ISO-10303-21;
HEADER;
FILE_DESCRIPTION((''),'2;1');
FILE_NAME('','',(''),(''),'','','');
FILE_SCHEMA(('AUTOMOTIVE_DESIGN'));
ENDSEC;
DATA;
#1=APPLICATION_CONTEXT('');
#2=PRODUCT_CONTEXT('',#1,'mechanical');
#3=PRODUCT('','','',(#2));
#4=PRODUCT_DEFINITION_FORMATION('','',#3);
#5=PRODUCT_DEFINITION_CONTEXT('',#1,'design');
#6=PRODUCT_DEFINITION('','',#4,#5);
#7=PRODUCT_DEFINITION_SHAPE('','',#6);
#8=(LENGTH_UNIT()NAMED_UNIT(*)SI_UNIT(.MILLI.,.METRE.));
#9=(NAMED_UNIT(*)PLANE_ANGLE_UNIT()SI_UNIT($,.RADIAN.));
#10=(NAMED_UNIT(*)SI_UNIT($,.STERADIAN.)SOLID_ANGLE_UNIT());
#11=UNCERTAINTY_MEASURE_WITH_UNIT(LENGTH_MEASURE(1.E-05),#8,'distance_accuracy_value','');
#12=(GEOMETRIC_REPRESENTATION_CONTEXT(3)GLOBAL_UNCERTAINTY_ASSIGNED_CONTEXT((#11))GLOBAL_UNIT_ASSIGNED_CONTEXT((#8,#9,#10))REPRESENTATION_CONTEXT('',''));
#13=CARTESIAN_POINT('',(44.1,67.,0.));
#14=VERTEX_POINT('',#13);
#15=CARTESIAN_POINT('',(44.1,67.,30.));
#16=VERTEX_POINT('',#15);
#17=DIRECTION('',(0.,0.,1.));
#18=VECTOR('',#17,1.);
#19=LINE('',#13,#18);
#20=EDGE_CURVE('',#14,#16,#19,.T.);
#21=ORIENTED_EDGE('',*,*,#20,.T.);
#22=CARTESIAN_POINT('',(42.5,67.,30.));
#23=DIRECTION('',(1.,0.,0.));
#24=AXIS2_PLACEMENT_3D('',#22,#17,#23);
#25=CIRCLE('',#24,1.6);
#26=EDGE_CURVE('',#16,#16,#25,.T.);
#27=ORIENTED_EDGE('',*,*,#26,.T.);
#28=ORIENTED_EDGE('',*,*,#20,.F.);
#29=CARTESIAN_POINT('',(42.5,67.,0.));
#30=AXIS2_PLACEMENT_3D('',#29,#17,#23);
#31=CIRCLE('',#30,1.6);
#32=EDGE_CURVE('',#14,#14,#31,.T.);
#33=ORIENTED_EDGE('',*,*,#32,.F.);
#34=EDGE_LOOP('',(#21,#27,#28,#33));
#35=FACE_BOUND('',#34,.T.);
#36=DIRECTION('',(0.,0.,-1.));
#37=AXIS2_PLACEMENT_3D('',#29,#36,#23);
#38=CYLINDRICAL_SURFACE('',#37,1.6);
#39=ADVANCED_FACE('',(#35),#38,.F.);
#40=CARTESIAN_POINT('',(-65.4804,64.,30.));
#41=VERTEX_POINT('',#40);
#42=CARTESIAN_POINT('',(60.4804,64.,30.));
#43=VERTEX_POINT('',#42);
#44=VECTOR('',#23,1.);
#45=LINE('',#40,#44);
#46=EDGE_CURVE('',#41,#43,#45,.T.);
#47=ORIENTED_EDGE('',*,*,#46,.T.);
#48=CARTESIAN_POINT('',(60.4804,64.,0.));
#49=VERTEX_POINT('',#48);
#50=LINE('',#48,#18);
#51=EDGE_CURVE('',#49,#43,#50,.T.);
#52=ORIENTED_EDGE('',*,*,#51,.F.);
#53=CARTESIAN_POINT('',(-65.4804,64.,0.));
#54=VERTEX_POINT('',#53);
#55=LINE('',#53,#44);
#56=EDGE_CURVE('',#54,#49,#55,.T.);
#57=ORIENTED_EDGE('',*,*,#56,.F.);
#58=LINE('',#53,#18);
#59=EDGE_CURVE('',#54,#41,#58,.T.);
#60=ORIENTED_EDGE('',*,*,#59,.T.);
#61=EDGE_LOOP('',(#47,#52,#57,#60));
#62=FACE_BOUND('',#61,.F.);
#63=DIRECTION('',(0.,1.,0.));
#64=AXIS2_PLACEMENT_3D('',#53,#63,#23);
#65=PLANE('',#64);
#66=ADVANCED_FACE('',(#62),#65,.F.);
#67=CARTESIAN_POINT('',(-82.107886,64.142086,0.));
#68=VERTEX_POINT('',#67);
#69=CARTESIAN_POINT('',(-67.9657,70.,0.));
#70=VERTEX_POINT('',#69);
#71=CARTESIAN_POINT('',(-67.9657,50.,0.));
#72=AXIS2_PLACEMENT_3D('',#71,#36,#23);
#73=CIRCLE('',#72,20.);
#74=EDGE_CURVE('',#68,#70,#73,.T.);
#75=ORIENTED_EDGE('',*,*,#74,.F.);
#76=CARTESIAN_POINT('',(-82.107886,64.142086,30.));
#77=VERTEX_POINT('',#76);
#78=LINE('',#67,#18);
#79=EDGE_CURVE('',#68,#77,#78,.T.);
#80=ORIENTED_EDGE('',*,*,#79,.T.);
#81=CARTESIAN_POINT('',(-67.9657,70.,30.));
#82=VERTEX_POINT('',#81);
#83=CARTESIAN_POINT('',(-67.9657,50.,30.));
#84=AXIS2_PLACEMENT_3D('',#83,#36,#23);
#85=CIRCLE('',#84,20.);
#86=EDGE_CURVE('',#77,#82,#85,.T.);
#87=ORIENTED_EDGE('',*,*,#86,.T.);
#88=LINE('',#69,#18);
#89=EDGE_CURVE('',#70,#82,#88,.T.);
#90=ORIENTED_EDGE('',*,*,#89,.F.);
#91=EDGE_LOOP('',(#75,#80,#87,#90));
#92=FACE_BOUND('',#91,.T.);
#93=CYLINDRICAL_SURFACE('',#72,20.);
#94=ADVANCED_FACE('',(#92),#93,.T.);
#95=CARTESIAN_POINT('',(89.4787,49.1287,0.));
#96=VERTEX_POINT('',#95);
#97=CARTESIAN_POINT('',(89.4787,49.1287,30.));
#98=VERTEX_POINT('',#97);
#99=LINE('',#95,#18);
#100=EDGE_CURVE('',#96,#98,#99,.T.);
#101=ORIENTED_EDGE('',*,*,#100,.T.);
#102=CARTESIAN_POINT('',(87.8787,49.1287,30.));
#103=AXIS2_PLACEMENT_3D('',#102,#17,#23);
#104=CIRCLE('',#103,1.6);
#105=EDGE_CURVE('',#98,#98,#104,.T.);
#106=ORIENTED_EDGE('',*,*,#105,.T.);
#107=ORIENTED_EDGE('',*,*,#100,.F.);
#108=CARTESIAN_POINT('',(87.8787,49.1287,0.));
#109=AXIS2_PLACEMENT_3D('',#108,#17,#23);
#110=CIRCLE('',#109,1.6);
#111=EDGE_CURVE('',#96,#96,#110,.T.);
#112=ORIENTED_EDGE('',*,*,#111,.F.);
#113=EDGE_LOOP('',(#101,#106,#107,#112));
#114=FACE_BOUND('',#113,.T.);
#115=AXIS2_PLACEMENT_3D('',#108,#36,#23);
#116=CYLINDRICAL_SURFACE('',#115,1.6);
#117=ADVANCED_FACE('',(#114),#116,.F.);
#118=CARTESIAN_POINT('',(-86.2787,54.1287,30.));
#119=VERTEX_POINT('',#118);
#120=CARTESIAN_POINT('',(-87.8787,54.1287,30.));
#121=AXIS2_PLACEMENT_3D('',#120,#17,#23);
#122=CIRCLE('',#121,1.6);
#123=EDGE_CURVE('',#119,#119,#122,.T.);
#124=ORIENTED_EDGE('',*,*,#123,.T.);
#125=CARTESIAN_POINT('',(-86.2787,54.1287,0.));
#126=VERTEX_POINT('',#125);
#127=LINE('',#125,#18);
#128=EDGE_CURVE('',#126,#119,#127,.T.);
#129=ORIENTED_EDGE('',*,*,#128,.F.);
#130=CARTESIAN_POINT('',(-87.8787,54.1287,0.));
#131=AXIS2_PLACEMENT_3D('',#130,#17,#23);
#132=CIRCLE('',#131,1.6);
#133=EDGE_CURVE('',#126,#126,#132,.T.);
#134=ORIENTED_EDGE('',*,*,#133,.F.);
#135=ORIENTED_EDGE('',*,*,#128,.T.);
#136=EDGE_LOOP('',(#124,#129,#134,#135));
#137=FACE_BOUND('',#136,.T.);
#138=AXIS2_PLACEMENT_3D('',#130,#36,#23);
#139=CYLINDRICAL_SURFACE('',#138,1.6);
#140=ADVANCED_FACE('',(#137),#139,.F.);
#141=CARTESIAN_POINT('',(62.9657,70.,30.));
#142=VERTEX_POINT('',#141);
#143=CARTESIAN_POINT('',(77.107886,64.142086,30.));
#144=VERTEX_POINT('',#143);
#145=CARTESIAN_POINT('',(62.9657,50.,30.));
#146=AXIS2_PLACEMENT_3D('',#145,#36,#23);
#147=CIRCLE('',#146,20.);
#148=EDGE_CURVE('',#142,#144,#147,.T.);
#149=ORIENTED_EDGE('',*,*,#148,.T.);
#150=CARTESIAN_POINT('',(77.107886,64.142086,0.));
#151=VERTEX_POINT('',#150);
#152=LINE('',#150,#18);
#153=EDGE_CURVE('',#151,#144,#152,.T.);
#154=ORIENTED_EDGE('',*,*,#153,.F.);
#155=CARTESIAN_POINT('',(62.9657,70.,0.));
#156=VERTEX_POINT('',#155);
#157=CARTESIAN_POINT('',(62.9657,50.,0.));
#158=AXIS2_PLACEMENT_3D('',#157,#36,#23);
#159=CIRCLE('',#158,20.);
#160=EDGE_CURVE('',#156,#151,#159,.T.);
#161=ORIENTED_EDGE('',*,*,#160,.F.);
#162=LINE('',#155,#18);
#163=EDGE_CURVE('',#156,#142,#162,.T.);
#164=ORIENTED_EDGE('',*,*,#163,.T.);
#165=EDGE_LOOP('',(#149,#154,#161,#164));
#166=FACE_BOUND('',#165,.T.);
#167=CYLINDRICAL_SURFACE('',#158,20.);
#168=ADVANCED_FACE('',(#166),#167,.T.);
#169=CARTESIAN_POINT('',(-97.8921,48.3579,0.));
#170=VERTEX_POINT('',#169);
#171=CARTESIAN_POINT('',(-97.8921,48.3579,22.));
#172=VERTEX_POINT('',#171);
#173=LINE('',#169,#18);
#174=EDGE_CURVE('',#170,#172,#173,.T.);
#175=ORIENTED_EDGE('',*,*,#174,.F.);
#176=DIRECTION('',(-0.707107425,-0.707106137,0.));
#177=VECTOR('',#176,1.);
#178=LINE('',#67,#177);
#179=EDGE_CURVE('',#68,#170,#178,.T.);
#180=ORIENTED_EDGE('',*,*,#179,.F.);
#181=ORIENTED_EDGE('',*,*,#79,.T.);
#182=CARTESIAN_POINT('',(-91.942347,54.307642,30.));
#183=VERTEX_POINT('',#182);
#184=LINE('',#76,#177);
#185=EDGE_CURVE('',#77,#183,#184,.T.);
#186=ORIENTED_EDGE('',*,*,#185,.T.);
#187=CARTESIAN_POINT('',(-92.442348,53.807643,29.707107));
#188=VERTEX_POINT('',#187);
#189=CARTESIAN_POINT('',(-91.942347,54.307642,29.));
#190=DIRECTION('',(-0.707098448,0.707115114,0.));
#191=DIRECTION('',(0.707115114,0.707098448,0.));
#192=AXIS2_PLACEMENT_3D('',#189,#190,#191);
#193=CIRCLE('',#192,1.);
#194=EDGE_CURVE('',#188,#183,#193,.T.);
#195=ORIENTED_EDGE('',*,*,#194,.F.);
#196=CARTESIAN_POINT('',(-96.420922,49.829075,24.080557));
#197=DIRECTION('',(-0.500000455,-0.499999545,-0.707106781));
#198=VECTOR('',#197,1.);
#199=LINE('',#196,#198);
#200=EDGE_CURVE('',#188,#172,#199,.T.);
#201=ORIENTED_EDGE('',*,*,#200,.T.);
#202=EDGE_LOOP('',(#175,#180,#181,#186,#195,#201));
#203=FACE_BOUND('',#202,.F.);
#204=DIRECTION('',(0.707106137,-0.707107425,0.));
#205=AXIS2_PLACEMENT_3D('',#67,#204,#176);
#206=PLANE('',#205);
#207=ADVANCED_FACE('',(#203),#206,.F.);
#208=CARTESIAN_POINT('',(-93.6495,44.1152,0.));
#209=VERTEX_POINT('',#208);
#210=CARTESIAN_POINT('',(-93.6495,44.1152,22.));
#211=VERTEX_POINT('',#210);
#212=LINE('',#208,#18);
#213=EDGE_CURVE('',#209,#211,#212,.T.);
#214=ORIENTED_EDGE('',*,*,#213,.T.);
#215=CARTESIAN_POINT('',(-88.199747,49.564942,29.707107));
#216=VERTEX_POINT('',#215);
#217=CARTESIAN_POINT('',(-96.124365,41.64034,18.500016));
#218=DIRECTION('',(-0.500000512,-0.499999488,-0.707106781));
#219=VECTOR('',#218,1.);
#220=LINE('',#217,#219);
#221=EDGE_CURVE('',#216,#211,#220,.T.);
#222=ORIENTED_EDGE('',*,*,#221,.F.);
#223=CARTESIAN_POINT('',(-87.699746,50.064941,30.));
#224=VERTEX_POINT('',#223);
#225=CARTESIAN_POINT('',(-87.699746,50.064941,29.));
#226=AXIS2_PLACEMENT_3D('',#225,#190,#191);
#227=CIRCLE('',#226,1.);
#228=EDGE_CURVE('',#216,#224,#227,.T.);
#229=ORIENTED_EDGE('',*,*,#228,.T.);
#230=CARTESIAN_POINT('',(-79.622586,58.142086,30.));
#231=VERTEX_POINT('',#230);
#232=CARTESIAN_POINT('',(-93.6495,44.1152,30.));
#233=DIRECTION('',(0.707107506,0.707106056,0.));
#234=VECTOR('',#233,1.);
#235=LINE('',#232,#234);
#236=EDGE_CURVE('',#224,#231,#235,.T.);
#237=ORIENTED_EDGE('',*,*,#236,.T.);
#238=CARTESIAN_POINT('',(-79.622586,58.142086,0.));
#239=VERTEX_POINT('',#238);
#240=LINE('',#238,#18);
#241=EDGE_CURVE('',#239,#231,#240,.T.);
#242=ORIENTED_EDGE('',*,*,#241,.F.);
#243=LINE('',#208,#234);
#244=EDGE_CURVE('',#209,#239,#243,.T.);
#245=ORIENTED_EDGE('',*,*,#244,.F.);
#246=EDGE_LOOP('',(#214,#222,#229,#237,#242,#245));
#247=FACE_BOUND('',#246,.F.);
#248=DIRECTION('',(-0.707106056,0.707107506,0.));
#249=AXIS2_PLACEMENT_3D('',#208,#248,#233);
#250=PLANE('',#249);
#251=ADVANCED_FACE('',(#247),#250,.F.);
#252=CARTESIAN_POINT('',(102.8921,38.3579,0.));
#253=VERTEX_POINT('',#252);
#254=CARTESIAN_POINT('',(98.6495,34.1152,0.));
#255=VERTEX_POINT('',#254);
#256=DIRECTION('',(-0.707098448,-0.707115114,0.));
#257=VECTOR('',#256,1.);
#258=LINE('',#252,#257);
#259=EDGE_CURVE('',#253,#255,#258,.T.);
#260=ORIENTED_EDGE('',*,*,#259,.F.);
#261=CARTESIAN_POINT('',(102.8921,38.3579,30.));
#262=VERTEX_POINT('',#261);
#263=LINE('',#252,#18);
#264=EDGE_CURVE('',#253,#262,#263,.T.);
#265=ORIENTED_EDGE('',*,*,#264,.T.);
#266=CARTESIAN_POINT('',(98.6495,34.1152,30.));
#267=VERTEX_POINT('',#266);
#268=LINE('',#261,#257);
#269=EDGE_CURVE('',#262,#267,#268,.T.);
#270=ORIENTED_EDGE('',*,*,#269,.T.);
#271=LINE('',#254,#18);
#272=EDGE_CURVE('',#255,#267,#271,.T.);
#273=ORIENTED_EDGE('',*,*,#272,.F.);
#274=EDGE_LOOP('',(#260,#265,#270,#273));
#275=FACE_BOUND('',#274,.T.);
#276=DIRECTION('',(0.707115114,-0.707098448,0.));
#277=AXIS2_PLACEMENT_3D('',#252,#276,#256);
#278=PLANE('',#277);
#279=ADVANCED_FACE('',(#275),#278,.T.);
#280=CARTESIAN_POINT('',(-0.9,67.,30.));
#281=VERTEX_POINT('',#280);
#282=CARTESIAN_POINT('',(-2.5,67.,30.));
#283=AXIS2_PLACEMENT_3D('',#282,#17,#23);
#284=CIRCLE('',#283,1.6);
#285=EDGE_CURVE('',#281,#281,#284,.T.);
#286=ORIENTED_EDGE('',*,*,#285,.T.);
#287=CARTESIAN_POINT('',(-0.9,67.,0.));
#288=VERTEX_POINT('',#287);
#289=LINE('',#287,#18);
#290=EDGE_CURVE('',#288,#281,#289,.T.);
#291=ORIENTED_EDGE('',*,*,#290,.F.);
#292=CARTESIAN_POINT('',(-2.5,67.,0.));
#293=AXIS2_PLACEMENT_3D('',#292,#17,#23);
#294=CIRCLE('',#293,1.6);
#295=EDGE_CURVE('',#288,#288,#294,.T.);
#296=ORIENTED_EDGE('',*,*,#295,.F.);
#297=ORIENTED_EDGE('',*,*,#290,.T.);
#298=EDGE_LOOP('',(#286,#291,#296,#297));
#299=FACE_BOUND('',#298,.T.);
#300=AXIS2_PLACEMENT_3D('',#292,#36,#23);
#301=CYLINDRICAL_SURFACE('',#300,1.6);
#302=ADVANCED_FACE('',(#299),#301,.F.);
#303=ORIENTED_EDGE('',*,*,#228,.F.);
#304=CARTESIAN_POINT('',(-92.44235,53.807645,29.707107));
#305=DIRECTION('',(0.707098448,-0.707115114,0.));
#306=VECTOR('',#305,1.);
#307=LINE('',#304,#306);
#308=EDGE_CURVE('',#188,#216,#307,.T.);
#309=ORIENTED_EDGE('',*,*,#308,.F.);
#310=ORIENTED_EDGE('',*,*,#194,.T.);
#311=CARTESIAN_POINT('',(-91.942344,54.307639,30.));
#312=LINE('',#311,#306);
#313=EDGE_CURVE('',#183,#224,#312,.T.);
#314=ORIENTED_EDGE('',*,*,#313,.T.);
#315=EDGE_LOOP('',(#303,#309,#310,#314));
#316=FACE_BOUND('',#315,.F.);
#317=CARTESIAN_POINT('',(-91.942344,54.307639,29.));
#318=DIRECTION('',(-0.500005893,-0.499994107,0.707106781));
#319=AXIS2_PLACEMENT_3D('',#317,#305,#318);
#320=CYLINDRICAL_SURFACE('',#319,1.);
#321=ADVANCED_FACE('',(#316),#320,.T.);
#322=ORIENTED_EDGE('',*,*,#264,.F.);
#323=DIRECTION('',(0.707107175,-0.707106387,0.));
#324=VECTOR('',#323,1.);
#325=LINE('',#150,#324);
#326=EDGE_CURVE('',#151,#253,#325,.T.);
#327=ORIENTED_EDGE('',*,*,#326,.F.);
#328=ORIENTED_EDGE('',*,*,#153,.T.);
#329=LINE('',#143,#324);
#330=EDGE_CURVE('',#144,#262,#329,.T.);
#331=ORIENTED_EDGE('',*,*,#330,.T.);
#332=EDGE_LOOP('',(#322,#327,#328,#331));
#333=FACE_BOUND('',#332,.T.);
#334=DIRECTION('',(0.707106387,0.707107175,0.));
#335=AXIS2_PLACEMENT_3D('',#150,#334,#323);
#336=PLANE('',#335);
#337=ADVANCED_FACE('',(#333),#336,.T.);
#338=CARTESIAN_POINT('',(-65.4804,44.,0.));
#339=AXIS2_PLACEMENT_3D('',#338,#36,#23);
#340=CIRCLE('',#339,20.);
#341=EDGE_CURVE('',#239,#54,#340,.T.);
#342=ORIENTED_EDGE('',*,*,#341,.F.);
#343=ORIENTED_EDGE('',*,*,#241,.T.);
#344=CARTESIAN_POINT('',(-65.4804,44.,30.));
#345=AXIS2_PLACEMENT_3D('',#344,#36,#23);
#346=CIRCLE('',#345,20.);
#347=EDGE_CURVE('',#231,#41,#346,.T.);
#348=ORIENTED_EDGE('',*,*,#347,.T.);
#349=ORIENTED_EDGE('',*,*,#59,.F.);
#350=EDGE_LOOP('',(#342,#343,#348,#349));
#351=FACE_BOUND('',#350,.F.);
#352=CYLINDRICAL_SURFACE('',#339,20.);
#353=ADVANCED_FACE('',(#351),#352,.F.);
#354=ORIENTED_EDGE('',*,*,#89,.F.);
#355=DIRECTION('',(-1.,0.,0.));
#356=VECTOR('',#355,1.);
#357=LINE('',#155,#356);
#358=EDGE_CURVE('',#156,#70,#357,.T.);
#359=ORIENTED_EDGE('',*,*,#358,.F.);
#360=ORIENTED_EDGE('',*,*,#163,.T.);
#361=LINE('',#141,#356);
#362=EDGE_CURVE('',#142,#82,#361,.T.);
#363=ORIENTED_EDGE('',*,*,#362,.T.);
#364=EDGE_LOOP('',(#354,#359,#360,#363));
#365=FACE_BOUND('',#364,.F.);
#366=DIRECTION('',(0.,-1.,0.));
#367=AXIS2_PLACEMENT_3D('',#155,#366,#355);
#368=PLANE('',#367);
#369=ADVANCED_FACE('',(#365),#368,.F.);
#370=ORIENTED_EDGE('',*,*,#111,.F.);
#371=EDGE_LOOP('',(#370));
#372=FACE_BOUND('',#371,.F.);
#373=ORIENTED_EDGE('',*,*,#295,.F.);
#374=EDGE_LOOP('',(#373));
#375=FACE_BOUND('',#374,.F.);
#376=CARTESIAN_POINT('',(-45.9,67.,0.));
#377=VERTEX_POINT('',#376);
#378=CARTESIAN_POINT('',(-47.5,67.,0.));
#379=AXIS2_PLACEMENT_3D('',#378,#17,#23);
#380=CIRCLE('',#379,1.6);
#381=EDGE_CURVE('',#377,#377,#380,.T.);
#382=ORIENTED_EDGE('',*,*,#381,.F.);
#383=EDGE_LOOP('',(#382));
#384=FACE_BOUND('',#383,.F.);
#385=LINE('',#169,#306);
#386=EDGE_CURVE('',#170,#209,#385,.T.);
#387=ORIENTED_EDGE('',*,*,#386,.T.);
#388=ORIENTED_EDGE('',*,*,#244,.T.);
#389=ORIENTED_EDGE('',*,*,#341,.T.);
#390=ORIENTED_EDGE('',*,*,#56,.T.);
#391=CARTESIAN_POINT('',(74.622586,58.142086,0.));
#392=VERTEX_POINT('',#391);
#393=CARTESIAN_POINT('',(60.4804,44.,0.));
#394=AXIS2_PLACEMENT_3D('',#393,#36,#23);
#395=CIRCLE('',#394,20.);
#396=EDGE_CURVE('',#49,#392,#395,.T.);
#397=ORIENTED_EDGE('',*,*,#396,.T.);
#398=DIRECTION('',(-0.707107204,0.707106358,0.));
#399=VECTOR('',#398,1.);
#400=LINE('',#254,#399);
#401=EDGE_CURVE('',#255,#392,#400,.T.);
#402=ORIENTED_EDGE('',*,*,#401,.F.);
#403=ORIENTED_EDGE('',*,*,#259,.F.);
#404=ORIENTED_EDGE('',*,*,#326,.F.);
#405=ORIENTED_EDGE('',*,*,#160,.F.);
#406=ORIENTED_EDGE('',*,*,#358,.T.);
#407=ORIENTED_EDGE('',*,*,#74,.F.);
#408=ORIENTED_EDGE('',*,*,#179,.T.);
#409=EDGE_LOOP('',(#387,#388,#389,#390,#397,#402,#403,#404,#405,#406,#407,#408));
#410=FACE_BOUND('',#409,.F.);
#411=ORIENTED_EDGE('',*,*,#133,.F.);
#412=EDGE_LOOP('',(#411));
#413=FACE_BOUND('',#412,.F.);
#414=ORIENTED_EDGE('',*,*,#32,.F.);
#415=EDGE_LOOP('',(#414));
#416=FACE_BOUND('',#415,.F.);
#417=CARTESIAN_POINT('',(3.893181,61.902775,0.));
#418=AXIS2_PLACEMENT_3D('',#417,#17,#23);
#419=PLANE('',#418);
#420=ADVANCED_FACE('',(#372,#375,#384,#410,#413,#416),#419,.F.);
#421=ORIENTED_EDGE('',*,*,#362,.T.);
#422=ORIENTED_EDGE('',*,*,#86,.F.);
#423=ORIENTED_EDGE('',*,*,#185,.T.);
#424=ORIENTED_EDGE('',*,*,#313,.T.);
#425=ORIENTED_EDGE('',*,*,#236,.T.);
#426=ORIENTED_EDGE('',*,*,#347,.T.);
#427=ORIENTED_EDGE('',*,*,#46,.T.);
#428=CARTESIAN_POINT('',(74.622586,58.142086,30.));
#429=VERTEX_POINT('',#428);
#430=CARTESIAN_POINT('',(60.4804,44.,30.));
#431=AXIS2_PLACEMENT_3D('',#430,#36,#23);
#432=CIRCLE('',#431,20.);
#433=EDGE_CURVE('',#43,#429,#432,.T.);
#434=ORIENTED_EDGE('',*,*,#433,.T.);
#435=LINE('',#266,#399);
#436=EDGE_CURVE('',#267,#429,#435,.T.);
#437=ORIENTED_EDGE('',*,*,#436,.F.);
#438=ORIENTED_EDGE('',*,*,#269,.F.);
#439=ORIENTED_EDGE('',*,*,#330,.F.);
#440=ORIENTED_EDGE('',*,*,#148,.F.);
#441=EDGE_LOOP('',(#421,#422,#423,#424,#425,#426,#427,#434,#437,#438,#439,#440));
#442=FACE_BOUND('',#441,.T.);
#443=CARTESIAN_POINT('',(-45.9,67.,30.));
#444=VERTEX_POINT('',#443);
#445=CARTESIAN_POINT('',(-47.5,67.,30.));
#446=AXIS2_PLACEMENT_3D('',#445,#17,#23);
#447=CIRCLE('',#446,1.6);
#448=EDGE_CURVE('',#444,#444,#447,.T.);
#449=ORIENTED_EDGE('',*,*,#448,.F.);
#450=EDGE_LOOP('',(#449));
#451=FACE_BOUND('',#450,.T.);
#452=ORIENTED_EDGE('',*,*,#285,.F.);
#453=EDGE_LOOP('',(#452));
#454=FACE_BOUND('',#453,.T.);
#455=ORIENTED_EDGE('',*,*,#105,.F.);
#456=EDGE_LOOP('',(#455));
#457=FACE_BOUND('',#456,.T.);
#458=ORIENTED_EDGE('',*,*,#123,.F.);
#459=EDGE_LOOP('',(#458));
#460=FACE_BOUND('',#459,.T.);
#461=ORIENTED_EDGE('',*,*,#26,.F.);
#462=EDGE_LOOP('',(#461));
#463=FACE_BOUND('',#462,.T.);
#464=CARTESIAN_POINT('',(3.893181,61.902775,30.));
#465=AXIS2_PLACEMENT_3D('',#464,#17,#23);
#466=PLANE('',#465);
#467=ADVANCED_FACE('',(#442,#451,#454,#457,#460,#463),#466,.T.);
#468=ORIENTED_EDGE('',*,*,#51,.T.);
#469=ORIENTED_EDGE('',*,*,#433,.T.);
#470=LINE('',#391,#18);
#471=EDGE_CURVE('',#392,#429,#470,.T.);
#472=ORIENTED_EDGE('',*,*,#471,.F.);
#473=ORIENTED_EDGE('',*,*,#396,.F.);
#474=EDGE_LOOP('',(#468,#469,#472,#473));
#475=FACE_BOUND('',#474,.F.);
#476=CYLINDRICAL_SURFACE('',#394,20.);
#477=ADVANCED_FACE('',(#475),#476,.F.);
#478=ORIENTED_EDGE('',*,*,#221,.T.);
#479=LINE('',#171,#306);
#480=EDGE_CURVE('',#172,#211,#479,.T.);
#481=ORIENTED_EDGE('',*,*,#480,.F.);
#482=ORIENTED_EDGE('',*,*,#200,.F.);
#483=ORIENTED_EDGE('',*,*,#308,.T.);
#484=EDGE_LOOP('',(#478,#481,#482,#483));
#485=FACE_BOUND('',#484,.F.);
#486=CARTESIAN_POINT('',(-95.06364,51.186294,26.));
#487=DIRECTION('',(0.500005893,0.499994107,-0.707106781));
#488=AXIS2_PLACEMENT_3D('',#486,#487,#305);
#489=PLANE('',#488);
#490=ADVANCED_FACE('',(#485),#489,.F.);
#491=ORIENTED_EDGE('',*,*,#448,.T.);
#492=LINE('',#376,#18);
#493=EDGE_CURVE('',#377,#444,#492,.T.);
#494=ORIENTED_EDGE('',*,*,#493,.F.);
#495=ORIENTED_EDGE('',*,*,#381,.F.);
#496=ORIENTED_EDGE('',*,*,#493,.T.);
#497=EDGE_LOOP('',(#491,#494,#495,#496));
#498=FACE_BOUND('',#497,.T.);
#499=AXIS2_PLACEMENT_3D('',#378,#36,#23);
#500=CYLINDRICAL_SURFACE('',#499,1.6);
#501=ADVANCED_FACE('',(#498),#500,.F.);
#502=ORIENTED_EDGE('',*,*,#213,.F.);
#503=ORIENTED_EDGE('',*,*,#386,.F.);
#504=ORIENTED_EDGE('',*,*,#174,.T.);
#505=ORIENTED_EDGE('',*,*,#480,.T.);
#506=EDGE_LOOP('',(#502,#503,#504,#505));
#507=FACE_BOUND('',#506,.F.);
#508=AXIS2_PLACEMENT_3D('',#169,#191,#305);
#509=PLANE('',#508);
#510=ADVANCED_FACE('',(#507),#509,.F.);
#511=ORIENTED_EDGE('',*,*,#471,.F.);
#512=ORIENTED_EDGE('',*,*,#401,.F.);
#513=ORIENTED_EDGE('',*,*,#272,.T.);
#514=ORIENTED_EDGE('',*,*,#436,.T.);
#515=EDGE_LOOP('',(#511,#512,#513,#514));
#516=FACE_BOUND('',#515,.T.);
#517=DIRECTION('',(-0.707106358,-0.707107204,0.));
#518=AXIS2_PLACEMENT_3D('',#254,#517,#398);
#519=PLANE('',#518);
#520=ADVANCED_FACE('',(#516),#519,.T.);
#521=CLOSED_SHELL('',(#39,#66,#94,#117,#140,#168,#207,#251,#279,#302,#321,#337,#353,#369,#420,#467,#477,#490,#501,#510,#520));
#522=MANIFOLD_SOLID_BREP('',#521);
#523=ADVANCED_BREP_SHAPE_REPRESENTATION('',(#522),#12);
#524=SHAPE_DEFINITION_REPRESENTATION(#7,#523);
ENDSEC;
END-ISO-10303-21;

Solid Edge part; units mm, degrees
sketch "Sketch1" plane through (0, 0, 0) normal (0, 0, 1) x (1, 0, 0)
  line L0 (-65.4804, 64) -> (60.4804, 64)
  arc A0 (60.4804, 64) -> (74.6226, 58.1421) centre (60.4804, 44) cw
  line L1 (98.6495, 34.1152) -> (74.6226, 58.1421)
  line L2 (102.8921, 38.3579) -> (98.6495, 34.1152)
  line L3 (77.1079, 64.1421) -> (102.8921, 38.3579)
  arc A1 (62.9657, 70) -> (77.1079, 64.1421) centre (62.9657, 50) cw
  line L4 (62.9657, 70) -> (-67.9657, 70)
  arc A2 (-82.1079, 64.1421) -> (-67.9657, 70) centre (-67.9657, 50) cw
  line L5 (-82.1079, 64.1421) -> (-97.8921, 48.3579)
  line L6 (-97.8921, 48.3579) -> (-93.6495, 44.1152)
  line L7 (-93.6495, 44.1152) -> (-79.6226, 58.1421)
  arc A3 (-79.6226, 58.1421) -> (-65.4804, 64) centre (-65.4804, 44) cw
  circle A4 centre (-47.5, 67) radius 1.6
  circle A5 centre (-87.8787, 54.1287) radius 1.6
  circle A6 centre (-2.5, 67) radius 1.6
  circle A7 centre (42.5, 67) radius 1.6
  circle A8 centre (87.8787, 49.1287) radius 1.6
extrude "Protrusion1" add sketch "Sketch1" along normal blind 30
chamfer "Chamfer_1" distance 8 angle 45 1 edges at (-95.7708, 46.2365, 30) measured on face at (-66.4359, 64.378, 30)
fillet "Round_7" radius 1 1 edges at (-90.114, 51.8934, 30)
